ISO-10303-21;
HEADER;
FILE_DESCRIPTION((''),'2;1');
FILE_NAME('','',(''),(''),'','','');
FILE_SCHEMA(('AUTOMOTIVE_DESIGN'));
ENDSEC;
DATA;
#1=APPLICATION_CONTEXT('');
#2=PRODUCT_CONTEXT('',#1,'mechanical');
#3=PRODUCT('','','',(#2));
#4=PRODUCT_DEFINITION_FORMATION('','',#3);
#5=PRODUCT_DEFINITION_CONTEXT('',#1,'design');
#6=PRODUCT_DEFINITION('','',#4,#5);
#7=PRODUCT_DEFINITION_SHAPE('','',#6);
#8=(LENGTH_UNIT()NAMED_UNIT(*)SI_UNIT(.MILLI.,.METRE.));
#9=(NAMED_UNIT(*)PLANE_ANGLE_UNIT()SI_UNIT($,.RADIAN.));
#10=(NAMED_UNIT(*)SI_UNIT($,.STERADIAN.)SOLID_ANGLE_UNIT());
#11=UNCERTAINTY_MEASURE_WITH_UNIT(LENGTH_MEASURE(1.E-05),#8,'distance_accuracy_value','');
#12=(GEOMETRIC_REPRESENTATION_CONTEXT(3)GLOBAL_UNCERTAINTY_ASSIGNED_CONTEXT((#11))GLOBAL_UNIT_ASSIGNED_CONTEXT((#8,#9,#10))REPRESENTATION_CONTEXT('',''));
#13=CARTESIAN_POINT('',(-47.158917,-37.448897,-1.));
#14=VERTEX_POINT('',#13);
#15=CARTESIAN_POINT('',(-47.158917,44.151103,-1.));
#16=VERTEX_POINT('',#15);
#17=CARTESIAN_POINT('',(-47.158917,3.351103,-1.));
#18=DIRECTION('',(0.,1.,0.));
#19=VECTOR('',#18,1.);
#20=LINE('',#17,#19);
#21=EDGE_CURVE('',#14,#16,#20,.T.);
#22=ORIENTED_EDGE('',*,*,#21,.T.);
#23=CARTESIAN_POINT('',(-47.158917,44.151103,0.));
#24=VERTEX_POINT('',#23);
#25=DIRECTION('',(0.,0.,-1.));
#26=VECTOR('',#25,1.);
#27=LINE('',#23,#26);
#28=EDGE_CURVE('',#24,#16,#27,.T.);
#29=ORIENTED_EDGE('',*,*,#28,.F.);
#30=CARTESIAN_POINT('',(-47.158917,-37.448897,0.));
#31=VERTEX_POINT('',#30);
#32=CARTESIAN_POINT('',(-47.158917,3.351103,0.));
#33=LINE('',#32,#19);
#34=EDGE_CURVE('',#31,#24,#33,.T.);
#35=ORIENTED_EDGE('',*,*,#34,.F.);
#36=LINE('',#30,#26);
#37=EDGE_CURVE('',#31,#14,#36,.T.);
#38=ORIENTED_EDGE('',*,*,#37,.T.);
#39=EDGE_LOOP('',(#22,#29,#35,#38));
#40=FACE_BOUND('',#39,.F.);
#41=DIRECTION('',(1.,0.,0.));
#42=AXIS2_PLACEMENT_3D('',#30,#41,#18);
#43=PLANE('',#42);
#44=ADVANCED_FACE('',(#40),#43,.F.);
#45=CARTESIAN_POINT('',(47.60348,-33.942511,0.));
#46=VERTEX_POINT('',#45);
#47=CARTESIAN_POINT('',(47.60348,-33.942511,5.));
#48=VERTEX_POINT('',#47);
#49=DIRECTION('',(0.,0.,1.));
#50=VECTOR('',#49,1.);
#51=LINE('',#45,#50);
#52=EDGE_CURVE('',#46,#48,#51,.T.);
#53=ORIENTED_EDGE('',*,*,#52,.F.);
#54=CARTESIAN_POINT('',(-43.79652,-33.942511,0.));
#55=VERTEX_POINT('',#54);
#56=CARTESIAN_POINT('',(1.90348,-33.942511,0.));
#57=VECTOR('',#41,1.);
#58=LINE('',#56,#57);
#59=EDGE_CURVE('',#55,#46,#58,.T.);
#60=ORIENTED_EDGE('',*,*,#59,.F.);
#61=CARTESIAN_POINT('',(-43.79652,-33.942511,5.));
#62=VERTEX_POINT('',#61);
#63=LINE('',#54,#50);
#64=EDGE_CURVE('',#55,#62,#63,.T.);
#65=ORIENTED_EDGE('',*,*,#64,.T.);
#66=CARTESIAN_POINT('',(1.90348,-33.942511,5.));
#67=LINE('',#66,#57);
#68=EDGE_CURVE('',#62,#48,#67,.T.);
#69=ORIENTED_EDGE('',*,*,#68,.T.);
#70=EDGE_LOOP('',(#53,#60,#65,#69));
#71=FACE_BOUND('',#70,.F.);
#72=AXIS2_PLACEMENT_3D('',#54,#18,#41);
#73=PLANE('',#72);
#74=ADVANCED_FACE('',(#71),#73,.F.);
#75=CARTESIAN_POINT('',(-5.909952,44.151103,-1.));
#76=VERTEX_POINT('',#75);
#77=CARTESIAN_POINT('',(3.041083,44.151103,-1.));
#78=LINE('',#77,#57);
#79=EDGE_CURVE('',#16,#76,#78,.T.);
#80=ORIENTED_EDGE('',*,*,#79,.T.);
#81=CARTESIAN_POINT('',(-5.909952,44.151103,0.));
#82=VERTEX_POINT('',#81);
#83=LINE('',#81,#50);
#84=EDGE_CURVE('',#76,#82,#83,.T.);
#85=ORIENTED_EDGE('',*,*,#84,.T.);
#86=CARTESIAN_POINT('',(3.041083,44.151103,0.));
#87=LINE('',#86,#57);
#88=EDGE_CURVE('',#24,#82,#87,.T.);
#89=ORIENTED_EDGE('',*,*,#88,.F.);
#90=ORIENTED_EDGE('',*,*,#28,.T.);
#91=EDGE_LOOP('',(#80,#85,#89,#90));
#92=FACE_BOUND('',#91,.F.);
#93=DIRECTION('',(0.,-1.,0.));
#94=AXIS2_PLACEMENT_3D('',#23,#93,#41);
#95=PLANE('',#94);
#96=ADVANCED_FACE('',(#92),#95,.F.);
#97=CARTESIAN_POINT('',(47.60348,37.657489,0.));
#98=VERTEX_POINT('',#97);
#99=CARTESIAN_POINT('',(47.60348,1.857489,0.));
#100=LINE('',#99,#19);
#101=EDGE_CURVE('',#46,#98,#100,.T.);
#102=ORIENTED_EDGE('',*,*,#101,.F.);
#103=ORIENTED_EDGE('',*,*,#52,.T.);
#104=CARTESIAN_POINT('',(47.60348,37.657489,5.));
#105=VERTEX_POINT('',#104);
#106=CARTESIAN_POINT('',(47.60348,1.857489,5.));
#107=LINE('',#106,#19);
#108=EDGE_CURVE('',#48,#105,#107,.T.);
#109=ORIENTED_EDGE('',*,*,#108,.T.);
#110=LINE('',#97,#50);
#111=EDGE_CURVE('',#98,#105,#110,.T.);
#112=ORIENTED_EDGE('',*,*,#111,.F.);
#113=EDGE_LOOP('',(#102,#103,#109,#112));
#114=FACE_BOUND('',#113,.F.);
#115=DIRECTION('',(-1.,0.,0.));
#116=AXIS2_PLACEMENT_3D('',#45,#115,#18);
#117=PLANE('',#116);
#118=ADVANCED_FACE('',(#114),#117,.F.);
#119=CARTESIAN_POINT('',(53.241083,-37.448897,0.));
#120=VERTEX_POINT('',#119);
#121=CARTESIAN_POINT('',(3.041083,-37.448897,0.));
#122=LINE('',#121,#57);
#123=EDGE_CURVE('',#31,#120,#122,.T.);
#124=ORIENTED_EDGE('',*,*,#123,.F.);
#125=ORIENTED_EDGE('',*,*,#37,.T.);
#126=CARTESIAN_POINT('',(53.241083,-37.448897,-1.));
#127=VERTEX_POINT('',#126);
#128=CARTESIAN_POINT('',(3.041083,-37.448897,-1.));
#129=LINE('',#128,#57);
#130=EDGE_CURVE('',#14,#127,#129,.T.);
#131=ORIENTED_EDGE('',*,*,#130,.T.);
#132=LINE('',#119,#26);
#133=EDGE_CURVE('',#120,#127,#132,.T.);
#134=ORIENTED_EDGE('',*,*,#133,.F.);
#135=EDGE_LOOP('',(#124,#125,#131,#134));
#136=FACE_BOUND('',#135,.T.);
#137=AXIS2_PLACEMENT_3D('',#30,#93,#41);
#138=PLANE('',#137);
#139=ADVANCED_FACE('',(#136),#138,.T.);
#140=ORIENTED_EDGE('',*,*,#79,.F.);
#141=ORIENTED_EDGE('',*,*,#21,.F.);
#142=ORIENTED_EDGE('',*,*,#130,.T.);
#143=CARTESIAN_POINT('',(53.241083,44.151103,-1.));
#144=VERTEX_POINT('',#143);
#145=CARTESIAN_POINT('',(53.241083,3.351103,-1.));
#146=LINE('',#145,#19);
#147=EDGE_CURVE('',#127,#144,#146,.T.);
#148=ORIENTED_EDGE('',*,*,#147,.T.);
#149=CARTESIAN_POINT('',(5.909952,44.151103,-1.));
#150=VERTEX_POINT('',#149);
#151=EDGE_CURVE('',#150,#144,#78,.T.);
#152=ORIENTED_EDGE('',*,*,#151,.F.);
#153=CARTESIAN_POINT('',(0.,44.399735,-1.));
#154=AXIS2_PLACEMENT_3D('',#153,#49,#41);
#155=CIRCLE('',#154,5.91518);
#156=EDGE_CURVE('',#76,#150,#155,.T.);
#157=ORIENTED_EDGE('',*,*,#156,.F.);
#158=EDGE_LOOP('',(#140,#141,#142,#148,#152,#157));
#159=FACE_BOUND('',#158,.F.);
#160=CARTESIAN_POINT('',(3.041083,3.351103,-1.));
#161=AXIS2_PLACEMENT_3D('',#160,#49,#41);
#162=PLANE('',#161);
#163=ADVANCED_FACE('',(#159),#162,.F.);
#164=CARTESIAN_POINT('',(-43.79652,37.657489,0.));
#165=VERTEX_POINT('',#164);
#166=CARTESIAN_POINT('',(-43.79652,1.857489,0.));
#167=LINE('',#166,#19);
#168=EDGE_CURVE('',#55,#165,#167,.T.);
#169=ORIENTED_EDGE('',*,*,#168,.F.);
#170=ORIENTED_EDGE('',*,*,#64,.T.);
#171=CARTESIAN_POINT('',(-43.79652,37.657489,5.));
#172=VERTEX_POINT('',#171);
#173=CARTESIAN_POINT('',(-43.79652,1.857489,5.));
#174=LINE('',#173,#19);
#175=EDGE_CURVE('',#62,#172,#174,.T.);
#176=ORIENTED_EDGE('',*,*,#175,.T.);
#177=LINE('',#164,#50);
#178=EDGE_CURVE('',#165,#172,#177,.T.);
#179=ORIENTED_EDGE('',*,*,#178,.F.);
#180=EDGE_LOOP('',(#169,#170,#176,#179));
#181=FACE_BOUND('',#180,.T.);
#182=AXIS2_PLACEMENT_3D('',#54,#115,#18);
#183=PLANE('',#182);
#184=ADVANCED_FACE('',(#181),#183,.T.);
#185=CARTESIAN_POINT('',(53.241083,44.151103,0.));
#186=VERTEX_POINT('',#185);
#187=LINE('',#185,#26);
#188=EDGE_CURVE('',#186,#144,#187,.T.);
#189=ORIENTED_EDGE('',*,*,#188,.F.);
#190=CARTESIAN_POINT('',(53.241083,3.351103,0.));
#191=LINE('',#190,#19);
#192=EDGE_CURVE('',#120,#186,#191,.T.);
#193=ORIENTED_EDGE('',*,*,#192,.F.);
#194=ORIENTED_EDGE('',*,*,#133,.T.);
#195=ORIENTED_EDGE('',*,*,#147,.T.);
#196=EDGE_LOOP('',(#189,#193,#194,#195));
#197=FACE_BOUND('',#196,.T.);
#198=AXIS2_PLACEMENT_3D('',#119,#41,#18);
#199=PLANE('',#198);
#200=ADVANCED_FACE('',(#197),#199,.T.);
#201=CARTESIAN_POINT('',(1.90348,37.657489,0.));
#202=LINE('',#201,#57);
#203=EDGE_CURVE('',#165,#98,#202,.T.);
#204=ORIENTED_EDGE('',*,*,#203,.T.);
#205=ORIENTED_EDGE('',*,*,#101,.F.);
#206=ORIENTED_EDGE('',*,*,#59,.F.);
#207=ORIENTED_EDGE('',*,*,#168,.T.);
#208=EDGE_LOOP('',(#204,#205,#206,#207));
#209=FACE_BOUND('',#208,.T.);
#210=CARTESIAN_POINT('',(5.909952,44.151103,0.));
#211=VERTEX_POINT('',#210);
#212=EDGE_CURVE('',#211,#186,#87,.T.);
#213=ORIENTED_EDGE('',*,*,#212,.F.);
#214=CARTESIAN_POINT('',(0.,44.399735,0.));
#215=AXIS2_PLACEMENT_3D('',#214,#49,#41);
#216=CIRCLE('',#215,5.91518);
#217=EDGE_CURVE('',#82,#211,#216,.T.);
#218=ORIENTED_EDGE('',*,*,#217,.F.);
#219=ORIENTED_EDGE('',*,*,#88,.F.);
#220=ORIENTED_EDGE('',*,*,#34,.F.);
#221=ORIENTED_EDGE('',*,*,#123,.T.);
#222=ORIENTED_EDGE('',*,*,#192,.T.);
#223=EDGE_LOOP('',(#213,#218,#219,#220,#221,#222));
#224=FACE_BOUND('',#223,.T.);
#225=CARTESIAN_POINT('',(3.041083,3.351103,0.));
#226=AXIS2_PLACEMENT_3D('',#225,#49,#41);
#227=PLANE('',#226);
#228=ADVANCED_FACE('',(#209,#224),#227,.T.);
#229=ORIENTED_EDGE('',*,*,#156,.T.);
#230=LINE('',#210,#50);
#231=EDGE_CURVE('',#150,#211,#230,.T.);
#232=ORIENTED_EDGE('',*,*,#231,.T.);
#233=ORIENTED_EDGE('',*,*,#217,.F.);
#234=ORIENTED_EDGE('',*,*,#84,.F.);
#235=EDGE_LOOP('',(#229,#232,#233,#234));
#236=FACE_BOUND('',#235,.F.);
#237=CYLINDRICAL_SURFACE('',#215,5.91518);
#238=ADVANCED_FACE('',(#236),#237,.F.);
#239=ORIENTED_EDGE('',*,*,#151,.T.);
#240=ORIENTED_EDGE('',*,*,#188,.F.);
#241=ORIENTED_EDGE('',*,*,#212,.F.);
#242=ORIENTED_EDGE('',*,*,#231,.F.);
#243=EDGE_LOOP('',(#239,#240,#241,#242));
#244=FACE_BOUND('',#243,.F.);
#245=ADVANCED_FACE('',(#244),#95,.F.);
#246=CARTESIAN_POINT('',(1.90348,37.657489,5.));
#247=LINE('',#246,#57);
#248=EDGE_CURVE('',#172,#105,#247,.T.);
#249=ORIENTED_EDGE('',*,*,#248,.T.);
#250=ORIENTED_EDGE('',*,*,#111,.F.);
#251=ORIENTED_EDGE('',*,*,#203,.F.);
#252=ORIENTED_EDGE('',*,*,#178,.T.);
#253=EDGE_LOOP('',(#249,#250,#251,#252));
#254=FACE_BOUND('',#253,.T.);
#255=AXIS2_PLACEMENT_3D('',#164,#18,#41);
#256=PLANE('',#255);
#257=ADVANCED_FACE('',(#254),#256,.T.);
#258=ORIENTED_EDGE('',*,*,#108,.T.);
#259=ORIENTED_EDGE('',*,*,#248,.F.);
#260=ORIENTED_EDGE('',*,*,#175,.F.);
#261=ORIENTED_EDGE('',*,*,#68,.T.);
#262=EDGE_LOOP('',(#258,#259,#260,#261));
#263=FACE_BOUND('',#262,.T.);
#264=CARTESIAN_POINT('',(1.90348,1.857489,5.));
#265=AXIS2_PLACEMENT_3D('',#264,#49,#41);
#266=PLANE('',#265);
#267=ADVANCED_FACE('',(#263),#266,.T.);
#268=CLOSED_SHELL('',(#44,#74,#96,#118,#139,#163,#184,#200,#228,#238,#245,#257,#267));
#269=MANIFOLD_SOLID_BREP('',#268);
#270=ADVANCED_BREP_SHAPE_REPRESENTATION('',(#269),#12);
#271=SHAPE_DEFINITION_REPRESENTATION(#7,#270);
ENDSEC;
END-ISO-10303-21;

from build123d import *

# Parameters (mm, degrees)
F0_W     = 100.4
F0_H     = 81.6
F1_DEPTH = 1
F2_W     = 91.4
F2_H     = 71.6
F3_DEPTH = 5
F4_R     = 5.91518
F5_DEPTH = 25.4


with BuildPart() as f1:
    # F0 (on Top) → F1 (new body)
    with BuildSketch(Plane.XY):
        with Locations((3.041083, 3.351103)):
            Rectangle(F0_W, F0_H)
    extrude(amount=-F1_DEPTH)

    # F2 (on Top) → F3 (join)
    with BuildSketch(Plane.XY):
        with Locations((1.90348, 1.857489)):
            Rectangle(F2_W, F2_H)
    extrude(amount=F3_DEPTH)

    # F4 (on Top) → F5 (cut)
    with BuildSketch(Plane.XY):
        with Locations((0, 44.399735)):
            Circle(F4_R)
    extrude(amount=-F5_DEPTH, mode=Mode.SUBTRACT)


solid = f1.part
